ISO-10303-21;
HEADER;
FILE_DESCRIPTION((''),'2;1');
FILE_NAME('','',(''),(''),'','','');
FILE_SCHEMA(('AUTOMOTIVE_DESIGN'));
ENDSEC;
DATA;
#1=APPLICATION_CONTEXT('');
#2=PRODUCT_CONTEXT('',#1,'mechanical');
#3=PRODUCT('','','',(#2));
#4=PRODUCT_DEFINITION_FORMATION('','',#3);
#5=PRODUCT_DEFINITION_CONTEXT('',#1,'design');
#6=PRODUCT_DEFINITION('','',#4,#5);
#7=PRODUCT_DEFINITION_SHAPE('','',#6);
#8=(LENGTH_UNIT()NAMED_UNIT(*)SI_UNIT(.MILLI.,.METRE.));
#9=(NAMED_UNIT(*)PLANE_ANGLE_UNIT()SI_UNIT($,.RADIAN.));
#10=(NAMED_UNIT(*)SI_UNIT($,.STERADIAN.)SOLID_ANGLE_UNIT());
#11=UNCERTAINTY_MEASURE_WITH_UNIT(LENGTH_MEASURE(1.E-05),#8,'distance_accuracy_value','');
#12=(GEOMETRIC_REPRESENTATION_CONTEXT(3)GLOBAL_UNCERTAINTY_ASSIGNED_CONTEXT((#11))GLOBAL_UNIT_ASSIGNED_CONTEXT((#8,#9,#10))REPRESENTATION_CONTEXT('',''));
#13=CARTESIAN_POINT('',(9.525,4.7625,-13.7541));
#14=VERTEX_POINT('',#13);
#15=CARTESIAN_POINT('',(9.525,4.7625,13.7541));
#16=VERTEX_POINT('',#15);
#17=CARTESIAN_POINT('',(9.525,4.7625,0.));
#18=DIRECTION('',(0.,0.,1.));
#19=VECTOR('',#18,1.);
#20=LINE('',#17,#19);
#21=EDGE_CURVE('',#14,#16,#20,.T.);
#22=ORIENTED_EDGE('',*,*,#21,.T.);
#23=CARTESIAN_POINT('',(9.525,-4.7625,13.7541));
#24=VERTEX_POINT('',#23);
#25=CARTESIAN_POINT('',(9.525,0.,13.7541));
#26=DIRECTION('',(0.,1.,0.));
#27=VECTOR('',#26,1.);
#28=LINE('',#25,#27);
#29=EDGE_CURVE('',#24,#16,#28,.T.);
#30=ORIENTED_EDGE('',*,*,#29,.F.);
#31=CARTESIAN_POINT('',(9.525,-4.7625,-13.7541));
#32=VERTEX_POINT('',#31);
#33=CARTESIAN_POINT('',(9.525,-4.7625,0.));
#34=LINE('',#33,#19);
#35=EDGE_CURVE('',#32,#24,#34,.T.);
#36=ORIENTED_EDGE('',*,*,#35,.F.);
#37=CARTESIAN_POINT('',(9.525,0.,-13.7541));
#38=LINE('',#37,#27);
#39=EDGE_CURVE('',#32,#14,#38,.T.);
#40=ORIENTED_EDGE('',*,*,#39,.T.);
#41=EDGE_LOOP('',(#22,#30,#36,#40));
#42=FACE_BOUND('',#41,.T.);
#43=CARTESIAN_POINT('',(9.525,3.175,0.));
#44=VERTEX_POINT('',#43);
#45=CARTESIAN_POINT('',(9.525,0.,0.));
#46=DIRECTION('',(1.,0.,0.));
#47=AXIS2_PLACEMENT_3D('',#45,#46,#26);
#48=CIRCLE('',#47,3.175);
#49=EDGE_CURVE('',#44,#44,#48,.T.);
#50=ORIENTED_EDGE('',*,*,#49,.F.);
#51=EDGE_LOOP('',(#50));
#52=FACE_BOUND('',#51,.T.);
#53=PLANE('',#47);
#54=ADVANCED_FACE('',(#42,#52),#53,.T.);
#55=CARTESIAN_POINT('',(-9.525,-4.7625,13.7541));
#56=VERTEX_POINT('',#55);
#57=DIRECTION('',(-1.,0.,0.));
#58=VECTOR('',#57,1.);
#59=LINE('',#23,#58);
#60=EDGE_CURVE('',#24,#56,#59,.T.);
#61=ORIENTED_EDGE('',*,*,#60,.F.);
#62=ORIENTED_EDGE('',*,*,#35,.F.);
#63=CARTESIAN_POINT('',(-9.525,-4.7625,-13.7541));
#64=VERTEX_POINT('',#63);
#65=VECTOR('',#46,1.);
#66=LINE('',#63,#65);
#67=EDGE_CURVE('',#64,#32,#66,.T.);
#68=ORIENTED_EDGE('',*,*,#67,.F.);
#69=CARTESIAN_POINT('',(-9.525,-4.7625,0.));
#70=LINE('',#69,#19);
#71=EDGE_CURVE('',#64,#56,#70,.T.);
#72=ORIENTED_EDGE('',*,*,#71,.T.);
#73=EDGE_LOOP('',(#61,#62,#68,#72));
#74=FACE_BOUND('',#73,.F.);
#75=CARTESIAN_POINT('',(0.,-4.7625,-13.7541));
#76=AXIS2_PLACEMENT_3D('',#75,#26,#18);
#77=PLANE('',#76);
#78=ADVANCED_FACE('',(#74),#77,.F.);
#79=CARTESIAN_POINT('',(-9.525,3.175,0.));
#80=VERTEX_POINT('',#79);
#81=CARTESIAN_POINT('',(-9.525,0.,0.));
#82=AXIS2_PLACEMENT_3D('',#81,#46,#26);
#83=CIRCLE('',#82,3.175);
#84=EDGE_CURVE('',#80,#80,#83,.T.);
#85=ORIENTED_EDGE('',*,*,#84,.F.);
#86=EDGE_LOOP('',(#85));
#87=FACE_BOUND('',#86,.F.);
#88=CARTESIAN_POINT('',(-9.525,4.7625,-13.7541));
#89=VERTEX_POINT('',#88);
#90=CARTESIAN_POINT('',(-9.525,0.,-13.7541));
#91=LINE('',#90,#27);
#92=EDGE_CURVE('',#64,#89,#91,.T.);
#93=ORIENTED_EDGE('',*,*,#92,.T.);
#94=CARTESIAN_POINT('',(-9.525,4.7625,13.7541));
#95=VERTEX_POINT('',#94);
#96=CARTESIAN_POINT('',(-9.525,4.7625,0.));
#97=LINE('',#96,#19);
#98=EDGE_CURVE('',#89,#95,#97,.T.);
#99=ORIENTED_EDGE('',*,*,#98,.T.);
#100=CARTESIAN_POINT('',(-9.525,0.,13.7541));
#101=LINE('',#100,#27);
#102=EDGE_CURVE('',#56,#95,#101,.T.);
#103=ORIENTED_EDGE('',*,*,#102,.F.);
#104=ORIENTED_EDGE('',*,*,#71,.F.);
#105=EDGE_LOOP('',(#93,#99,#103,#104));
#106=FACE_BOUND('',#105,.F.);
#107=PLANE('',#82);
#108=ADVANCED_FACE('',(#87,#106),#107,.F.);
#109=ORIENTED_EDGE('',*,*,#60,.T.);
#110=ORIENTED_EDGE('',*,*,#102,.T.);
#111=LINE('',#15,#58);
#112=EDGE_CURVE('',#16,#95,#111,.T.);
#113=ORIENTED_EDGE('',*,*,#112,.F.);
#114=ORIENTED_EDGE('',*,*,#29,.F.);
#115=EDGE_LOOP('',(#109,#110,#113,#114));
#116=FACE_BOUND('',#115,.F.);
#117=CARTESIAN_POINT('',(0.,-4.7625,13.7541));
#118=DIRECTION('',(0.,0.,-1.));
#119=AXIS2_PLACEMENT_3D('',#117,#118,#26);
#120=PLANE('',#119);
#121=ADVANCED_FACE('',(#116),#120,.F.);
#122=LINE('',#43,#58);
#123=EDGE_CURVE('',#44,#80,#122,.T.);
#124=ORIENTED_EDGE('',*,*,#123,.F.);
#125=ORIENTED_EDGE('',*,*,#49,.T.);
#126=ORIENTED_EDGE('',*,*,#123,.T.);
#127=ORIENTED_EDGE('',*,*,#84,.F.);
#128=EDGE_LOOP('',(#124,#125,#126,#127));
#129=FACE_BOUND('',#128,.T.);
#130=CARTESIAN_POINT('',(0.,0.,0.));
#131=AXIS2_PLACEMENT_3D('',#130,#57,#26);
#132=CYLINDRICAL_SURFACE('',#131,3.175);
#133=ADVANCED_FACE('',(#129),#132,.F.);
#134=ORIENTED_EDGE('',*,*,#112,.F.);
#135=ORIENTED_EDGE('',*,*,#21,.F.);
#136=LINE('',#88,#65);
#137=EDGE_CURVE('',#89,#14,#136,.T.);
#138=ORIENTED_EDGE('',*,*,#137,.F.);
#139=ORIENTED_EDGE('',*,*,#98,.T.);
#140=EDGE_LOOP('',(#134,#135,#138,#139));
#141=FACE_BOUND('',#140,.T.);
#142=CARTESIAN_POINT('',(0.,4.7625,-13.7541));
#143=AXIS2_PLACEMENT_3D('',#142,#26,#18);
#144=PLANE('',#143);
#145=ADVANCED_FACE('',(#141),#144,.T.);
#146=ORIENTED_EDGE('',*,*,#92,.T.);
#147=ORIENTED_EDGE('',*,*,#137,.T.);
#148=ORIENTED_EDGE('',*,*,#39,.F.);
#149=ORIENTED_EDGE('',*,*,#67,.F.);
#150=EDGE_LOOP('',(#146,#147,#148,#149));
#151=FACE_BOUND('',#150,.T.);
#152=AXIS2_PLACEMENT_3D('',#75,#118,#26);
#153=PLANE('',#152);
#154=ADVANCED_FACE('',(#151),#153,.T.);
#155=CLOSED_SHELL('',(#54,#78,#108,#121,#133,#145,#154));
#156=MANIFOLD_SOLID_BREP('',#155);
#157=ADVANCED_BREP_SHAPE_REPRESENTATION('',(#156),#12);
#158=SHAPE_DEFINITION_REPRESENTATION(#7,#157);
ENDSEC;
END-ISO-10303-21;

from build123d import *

# Parameters (mm, degrees)
F0_W     = 9.525
F0_H     = 27.5082
F0_R     = 3.175
F1_DEPTH = 9.525


with BuildPart() as f1:
    # F0 (on Right) → F1 (new body, symmetric)
    with BuildSketch(Plane.YZ):
        Rectangle(F0_W, F0_H)
        Circle(F0_R, mode=Mode.SUBTRACT)
    extrude(amount=F1_DEPTH, both=True)


solid = f1.part
